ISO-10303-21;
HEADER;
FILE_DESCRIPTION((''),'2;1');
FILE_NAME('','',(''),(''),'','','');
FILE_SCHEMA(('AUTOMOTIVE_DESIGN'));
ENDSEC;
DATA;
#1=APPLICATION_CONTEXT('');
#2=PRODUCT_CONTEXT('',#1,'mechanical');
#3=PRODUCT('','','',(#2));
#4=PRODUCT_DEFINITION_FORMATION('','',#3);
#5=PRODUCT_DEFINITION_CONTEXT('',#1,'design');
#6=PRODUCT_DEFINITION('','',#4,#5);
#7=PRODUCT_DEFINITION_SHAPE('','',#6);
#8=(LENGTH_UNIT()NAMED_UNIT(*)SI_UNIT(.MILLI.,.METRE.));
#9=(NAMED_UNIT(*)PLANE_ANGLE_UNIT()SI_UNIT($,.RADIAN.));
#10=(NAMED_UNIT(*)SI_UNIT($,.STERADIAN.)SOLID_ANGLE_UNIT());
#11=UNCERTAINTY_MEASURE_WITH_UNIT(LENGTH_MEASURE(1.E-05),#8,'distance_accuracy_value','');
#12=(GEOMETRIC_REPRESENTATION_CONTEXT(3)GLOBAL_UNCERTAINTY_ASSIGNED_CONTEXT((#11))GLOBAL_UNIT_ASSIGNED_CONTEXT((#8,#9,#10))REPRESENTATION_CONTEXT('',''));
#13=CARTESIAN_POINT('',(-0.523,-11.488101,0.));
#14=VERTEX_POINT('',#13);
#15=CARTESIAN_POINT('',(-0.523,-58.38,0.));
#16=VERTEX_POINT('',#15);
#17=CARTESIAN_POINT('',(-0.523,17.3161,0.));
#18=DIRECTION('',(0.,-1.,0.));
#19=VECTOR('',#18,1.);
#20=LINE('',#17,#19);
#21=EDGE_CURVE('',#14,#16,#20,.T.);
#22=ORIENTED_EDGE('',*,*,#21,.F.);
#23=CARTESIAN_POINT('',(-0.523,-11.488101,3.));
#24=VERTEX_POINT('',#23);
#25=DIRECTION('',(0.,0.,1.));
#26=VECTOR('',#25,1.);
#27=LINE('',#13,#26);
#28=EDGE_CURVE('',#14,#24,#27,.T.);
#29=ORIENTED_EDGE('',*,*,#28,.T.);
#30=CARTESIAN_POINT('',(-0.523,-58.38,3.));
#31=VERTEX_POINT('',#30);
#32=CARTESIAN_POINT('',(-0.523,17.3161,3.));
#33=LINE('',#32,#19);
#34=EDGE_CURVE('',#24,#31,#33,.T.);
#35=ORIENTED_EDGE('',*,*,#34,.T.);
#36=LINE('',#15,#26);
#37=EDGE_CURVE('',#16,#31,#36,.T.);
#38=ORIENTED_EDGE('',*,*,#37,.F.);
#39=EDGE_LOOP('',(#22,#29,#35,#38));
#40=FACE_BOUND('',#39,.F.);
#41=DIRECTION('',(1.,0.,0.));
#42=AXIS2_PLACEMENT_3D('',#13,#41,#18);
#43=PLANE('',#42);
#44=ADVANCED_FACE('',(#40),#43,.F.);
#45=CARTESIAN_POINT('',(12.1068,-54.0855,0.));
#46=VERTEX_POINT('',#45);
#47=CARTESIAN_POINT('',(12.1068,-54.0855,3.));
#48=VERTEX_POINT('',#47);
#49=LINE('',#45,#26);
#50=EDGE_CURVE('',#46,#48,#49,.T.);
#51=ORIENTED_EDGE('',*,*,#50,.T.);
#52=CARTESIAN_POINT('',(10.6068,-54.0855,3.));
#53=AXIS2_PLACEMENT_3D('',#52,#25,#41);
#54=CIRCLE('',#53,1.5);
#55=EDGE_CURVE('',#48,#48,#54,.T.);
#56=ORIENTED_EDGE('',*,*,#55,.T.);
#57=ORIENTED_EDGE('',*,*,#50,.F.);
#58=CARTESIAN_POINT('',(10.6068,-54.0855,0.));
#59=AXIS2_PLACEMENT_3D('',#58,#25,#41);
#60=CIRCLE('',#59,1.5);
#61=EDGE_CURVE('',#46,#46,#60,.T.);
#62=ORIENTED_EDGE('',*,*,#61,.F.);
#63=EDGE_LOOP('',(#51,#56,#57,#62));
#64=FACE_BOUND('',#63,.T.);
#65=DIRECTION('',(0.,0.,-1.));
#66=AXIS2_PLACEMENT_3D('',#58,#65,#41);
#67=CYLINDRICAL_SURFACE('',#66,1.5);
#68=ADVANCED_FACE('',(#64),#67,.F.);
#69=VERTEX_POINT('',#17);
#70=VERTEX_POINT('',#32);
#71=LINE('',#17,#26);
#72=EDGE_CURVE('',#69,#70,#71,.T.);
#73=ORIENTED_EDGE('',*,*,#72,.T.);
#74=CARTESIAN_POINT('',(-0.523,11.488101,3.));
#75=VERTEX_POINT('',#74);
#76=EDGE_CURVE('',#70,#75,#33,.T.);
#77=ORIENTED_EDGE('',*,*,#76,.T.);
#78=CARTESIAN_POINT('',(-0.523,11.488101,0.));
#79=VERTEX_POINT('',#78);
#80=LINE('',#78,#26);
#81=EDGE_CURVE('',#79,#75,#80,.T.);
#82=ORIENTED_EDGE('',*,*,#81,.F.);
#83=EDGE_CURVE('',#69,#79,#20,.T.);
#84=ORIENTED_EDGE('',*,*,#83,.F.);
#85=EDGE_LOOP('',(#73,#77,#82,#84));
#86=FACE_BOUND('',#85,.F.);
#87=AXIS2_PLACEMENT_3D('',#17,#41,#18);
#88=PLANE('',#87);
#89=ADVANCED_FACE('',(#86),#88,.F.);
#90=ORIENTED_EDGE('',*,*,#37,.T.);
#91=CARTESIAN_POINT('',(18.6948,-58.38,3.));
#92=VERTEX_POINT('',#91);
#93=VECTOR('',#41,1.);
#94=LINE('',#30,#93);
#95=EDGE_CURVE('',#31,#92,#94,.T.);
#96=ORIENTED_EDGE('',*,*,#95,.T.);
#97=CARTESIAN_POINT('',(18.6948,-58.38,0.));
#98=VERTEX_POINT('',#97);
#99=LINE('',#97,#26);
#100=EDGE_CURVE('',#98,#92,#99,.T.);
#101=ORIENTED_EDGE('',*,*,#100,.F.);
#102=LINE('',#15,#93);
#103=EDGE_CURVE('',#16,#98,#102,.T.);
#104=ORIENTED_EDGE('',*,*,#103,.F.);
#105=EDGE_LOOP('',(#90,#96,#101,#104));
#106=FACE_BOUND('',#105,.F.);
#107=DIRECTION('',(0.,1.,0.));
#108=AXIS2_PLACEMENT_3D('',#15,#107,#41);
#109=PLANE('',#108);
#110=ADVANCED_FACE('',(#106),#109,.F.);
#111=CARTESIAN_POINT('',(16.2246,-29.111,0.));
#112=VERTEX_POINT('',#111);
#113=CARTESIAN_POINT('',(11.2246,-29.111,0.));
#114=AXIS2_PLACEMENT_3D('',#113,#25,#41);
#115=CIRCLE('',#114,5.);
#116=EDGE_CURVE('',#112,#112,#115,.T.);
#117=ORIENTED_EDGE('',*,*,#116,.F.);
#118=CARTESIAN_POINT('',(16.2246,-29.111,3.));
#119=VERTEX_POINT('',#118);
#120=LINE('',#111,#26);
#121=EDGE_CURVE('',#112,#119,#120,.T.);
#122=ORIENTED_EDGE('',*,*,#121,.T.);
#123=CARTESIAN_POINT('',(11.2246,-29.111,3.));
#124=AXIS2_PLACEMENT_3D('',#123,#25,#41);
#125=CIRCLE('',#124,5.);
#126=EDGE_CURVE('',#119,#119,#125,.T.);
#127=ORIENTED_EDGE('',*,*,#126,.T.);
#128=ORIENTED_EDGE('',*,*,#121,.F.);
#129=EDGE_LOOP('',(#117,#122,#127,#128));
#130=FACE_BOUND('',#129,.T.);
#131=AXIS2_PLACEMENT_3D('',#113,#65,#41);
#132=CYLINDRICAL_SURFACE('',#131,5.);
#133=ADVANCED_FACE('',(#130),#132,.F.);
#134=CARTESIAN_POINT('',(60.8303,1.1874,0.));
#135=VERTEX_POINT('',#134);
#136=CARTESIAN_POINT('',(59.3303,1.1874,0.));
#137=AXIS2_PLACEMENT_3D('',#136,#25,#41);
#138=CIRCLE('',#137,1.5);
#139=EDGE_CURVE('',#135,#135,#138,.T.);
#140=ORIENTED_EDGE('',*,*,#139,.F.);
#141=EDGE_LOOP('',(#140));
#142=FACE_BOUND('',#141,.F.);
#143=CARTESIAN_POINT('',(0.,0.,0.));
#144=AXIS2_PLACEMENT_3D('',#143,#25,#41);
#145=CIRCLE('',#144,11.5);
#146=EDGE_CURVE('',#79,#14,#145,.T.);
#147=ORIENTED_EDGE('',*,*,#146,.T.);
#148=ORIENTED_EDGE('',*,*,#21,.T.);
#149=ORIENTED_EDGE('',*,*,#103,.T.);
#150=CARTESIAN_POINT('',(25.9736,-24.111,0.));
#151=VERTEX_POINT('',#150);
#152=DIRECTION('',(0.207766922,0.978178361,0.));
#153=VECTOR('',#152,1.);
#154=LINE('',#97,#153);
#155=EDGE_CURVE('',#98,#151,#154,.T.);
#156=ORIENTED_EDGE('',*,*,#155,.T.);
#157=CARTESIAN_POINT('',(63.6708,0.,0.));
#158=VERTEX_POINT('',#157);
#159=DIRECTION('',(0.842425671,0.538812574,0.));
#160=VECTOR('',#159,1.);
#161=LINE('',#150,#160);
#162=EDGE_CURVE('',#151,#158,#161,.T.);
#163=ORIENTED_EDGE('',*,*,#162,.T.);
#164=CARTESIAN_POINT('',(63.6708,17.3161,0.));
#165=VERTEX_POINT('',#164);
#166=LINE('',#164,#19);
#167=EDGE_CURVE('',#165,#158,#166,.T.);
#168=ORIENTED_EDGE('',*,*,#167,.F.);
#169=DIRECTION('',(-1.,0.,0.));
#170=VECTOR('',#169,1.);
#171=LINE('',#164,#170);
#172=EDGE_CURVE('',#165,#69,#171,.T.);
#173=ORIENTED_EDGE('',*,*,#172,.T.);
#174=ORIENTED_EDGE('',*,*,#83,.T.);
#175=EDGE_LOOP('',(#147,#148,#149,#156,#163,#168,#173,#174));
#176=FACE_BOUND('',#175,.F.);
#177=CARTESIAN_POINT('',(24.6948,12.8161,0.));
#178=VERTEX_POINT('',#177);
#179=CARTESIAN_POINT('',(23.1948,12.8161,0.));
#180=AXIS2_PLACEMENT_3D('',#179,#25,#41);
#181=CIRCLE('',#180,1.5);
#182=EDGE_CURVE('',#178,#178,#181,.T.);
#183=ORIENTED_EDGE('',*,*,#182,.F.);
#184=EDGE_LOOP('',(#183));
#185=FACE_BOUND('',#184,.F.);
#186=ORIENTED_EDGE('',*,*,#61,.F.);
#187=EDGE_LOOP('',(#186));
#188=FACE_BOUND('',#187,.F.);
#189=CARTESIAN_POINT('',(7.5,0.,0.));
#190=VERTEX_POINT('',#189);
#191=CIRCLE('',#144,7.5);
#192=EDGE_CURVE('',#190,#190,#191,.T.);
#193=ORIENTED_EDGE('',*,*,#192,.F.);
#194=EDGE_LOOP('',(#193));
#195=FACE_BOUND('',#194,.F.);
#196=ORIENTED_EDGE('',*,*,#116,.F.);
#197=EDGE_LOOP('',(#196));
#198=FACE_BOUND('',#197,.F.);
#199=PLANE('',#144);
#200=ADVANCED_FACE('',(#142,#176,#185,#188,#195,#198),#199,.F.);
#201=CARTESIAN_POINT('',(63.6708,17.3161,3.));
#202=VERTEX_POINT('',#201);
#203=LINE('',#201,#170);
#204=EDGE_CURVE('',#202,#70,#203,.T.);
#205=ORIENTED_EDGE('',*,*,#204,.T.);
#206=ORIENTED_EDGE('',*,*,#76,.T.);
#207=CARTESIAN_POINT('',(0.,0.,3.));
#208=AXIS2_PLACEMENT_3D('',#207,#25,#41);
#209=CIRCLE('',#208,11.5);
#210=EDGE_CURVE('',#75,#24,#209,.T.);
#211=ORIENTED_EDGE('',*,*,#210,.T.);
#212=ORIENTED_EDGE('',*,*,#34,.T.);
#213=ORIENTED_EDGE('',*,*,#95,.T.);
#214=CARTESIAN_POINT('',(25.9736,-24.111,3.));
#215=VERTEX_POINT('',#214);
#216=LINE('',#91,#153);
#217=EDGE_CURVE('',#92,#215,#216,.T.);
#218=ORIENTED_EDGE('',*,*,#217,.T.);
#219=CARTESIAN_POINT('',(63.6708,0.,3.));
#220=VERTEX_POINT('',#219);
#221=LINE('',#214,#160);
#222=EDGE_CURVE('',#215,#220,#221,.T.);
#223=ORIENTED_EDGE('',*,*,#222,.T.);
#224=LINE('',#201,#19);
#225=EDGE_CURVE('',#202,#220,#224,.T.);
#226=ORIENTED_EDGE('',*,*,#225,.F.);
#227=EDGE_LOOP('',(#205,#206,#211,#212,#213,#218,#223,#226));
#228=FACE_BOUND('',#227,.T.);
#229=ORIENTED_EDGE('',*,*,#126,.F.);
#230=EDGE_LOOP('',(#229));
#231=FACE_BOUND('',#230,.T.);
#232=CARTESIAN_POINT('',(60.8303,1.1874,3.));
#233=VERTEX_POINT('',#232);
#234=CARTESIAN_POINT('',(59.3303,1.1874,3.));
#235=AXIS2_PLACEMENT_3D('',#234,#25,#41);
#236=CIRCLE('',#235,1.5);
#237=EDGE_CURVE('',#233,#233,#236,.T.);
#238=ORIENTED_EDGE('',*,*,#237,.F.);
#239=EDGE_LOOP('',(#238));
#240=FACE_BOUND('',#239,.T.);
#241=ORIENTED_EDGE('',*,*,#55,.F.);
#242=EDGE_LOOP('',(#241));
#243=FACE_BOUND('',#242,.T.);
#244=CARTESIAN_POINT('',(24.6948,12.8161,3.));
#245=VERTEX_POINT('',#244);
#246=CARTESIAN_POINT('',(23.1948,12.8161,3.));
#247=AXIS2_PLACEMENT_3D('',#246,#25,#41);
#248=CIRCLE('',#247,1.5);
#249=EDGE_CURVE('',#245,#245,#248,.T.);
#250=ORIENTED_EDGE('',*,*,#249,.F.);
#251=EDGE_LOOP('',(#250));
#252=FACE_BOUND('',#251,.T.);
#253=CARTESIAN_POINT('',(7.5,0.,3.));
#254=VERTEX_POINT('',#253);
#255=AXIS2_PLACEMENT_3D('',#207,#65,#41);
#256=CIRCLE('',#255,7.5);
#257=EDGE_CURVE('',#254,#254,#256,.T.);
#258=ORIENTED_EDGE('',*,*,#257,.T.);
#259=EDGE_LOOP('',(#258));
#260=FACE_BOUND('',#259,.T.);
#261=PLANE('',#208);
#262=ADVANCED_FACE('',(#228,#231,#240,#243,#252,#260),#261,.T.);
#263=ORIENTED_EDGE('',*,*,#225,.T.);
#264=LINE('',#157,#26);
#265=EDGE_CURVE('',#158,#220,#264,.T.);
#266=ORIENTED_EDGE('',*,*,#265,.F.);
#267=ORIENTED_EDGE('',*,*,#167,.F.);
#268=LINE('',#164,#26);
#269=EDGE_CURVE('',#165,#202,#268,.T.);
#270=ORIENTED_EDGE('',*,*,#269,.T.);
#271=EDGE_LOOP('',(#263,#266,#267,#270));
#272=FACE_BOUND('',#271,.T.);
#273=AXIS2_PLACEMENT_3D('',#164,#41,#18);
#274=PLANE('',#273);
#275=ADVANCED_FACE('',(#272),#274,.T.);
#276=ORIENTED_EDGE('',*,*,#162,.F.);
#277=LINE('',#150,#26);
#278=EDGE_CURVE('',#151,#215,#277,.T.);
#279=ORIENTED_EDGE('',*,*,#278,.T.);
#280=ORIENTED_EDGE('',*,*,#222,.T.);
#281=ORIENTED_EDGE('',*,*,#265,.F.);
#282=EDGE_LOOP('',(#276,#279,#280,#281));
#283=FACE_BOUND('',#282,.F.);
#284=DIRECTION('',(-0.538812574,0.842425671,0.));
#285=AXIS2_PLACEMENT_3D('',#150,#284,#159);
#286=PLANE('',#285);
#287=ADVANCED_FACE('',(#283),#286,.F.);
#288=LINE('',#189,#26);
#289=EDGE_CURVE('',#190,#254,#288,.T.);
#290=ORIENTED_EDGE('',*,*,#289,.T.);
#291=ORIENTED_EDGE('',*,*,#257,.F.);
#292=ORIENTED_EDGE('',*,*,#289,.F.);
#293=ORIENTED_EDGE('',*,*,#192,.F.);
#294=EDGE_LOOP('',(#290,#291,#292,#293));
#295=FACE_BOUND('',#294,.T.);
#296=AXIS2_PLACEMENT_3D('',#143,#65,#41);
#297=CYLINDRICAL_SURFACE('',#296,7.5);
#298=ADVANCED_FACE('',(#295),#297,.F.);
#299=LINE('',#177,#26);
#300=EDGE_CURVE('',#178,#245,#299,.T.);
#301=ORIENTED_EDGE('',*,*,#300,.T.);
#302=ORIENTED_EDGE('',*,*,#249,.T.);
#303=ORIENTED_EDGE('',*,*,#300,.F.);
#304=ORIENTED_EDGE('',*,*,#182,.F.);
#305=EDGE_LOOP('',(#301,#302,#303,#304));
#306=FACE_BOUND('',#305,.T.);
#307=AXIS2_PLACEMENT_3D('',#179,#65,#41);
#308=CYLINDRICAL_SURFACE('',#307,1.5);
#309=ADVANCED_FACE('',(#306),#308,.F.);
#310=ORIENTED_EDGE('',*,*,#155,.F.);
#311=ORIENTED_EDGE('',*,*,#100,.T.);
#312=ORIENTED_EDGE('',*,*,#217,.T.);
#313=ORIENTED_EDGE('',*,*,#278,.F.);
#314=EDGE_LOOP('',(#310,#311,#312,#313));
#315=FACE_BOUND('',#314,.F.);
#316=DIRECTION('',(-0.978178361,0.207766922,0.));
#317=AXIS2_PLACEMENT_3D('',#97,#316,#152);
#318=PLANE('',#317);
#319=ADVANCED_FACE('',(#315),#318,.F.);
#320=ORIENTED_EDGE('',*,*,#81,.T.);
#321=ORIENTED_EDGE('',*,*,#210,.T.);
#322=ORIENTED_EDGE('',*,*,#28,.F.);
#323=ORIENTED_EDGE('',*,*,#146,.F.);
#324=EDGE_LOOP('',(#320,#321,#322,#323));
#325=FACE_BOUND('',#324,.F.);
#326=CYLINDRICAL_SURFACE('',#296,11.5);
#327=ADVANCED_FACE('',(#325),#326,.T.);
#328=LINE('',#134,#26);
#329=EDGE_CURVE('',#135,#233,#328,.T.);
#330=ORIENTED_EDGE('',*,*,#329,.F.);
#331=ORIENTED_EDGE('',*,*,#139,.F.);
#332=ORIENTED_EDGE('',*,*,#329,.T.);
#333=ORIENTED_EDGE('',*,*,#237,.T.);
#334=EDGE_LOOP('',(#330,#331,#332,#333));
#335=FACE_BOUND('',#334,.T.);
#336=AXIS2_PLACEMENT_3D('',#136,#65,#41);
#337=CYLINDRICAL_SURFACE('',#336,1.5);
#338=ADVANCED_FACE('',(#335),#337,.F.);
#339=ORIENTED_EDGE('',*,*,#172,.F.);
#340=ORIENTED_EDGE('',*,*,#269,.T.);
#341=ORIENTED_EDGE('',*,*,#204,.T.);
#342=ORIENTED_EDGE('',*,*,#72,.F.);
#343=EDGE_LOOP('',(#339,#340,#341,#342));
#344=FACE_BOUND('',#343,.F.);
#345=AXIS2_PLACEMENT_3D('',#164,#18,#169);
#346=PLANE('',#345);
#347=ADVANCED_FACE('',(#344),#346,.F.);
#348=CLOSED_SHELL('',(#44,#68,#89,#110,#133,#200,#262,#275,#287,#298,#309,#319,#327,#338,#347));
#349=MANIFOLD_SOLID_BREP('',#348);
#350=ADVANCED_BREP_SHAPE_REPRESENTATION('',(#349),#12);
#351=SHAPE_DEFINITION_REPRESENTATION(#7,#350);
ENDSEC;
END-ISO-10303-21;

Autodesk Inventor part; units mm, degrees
ref_plane "YZ Plane" through (0, 0, 0) normal (1, 0, 0) x (0, 1, 0)
ref_plane "XZ Plane" through (0, 0, 0) normal (0, 1, 0) x (-1, 0, 0)
ref_plane "XY Plane" through (0, 0, 0) normal (0, 0, 1) x (1, 0, 0)
sketch "ギア線図" plane through (0, 0, 0) normal (0, 0, 1) x (1, 0, 0)
  circle A0 centre (11.2246, -29.111) radius 11.1
  circle A1 centre (54.3074, -26.8895) radius 20.05
  circle A2 centre (54.3074, -26.8895) radius 4.55
  circle A3 centre (35.8191, -9.9133) radius 11.1
  circle A4 centre (39.3074, -43.38) radius 2.05
  circle A5 centre (69.3074, -43.38) radius 2.05
  circle A6 centre (72.141, -13.5141) radius 2.05
  circle A7 centre (39.3074, -43.38) radius 15
  circle A8 centre (69.3074, -43.38) radius 15
  circle A9 centre (72.141, -13.5141) radius 15
  circle A10 centre (54.3074, -26.8895) radius 5.5 construction
  circle A11 centre (11.2246, -29.111) radius 13 construction
  circle A12 centre (54.3074, -26.8895) radius 20.5 construction
  circle A13 centre (35.8191, -9.9133) radius 20.55
  circle A14 centre (35.8191, -9.9133) radius 21.5 construction
  circle A15 centre (35.8191, -9.9133) radius 13 construction
  circle A16 centre (39.3074, -43.38) radius 2.5 construction
  circle A17 centre (69.3074, -43.38) radius 2.5 construction
  circle A18 centre (72.141, -13.5141) radius 2.5 construction
  circle A19 centre (11.2246, -29.111) radius 20.1
  circle A20 centre (11.2246, -29.111) radius 22 construction
  line L0 (39.3074, -43.38) -> (69.3074, -43.38)
  circle A21 centre (0, 0) radius 20.1
  circle A22 centre (0, 0) radius 22 construction
  circle A23 centre (39.3074, -43.38) radius 9.5 construction
  circle A24 centre (69.3074, -43.38) radius 9.5 construction
  circle A25 centre (72.141, -13.5141) radius 9.5 construction
  point P0 (58.2233, -20.0465)
  point P1 (42.0436, -35)
  point P2 (21.5995, 15.2696)
  point P3 (38.2329, 5.9161)
  point P4 (24.1755, 8.4229)
  point P5 (21.6039, 15.1272)
  point P6 (23.3458, 16.3469)
  point P7 (23.3177, 16.3886)
  dimension "d7" = 22.2
  dimension "d8" = 40.1
  dimension "d9" = 9.1
  dimension "d11" = 22.2
  dimension "d12" = 4.1
  dimension "d13" = 4.1
  dimension "d14" = 4.1
  dimension "d15" = 30
  dimension "d16" = 30
  dimension "d17" = 30
  dimension "d18" = 11
  dimension "d21" = 26
  dimension "d29" = 41
  dimension "d39" = 22.2921
  dimension "d40" = 22.2921
  dimension "d41" = 22.2921
  dimension "d43" = 41.1
  dimension "d44" = 43
  dimension "d45" = 26
  dimension "d46" = 5
  dimension "d47" = 5
  dimension "d48" = 5
  dimension "d49" = 40.2
  dimension "d50" = 44
  dimension "d53" = 40.2
  dimension "d55" = 44
  dimension "d58" = 19
  dimension "d59" = 19
  dimension "d60" = 19
sketch "スケッチ3" plane through (0, 0, 0) normal (0, 0, 1) x (1, 0, 0)
  circle A0 centre (11.2246, -29.111) radius 20.1 construction
  circle A1 centre (39.3074, -43.38) radius 15 construction
  circle A2 centre (69.3074, -43.38) radius 15 construction
  circle A3 centre (72.141, -13.5141) radius 15 construction
  circle A4 centre (11.2246, -29.111) radius 5
  circle A5 centre (59.3303, 1.1874) radius 1.5
  circle A6 centre (23.1948, 12.8161) radius 1.5
  circle A7 centre (10.6068, -54.0855) radius 1.5
  circle A8 centre (59.3303, 1.1874) radius 4.5 construction
  circle A9 centre (35.8191, -9.9133) radius 21.5 construction
  circle A10 centre (23.1948, 12.8161) radius 4.5 construction
  circle A11 centre (0, 0) radius 22 construction
  line L0 (18.6948, -58.38) -> (25.9736, -24.111)
  line L1 (25.9736, -24.111) -> (63.6708, 0)
  line L2 (63.6708, 17.3161) -> (-0.523, 17.3161)
  line L3 (-0.523, 17.3161) -> (-0.523, -58.38)
  line L4 (-0.523, -58.38) -> (18.6948, -58.38)
  line L5 (63.6708, 17.3161) -> (63.6708, 0)
  circle A12 centre (0, 0) radius 7.5
  circle A13 centre (0, 0) radius 11.5
  point P0 (-0.523, -11.4881)
  point P1 (-0.523, 11.4881)
  dimension "d69" = 9
  dimension "d61" = 10
  dimension "d63" = 3
  dimension "d64" = 3
  dimension "d67" = 3
  dimension "d70" = 9
  dimension "d71" = 15
  dimension "d72" = 4
extrude "押し出し1" add sketch "スケッチ3" along normal blind 3 contours L4 L3 A13 L2 L5 L1 L0 | A13 L3 A12 | L3 A12 A13
sketch "スケッチ4" plane through (0, 0, 3) normal (0, 0, 1) x (1, 0, 0)
  circle A0 centre (23.1948, 12.8161) radius 1.5 projected
  circle A1 centre (59.3303, 1.1874) radius 1.5 projected
  circle A2 centre (11.2246, -29.111) radius 5 projected
  circle A3 centre (10.6068, -54.0855) radius 1.5 projected
  point P0 (0, 0)
equation "\"d40\" = d39"
equation "\"d41\" = d40"
properties part number "アームフレーム" material "アルミニウム 2014-T4"
